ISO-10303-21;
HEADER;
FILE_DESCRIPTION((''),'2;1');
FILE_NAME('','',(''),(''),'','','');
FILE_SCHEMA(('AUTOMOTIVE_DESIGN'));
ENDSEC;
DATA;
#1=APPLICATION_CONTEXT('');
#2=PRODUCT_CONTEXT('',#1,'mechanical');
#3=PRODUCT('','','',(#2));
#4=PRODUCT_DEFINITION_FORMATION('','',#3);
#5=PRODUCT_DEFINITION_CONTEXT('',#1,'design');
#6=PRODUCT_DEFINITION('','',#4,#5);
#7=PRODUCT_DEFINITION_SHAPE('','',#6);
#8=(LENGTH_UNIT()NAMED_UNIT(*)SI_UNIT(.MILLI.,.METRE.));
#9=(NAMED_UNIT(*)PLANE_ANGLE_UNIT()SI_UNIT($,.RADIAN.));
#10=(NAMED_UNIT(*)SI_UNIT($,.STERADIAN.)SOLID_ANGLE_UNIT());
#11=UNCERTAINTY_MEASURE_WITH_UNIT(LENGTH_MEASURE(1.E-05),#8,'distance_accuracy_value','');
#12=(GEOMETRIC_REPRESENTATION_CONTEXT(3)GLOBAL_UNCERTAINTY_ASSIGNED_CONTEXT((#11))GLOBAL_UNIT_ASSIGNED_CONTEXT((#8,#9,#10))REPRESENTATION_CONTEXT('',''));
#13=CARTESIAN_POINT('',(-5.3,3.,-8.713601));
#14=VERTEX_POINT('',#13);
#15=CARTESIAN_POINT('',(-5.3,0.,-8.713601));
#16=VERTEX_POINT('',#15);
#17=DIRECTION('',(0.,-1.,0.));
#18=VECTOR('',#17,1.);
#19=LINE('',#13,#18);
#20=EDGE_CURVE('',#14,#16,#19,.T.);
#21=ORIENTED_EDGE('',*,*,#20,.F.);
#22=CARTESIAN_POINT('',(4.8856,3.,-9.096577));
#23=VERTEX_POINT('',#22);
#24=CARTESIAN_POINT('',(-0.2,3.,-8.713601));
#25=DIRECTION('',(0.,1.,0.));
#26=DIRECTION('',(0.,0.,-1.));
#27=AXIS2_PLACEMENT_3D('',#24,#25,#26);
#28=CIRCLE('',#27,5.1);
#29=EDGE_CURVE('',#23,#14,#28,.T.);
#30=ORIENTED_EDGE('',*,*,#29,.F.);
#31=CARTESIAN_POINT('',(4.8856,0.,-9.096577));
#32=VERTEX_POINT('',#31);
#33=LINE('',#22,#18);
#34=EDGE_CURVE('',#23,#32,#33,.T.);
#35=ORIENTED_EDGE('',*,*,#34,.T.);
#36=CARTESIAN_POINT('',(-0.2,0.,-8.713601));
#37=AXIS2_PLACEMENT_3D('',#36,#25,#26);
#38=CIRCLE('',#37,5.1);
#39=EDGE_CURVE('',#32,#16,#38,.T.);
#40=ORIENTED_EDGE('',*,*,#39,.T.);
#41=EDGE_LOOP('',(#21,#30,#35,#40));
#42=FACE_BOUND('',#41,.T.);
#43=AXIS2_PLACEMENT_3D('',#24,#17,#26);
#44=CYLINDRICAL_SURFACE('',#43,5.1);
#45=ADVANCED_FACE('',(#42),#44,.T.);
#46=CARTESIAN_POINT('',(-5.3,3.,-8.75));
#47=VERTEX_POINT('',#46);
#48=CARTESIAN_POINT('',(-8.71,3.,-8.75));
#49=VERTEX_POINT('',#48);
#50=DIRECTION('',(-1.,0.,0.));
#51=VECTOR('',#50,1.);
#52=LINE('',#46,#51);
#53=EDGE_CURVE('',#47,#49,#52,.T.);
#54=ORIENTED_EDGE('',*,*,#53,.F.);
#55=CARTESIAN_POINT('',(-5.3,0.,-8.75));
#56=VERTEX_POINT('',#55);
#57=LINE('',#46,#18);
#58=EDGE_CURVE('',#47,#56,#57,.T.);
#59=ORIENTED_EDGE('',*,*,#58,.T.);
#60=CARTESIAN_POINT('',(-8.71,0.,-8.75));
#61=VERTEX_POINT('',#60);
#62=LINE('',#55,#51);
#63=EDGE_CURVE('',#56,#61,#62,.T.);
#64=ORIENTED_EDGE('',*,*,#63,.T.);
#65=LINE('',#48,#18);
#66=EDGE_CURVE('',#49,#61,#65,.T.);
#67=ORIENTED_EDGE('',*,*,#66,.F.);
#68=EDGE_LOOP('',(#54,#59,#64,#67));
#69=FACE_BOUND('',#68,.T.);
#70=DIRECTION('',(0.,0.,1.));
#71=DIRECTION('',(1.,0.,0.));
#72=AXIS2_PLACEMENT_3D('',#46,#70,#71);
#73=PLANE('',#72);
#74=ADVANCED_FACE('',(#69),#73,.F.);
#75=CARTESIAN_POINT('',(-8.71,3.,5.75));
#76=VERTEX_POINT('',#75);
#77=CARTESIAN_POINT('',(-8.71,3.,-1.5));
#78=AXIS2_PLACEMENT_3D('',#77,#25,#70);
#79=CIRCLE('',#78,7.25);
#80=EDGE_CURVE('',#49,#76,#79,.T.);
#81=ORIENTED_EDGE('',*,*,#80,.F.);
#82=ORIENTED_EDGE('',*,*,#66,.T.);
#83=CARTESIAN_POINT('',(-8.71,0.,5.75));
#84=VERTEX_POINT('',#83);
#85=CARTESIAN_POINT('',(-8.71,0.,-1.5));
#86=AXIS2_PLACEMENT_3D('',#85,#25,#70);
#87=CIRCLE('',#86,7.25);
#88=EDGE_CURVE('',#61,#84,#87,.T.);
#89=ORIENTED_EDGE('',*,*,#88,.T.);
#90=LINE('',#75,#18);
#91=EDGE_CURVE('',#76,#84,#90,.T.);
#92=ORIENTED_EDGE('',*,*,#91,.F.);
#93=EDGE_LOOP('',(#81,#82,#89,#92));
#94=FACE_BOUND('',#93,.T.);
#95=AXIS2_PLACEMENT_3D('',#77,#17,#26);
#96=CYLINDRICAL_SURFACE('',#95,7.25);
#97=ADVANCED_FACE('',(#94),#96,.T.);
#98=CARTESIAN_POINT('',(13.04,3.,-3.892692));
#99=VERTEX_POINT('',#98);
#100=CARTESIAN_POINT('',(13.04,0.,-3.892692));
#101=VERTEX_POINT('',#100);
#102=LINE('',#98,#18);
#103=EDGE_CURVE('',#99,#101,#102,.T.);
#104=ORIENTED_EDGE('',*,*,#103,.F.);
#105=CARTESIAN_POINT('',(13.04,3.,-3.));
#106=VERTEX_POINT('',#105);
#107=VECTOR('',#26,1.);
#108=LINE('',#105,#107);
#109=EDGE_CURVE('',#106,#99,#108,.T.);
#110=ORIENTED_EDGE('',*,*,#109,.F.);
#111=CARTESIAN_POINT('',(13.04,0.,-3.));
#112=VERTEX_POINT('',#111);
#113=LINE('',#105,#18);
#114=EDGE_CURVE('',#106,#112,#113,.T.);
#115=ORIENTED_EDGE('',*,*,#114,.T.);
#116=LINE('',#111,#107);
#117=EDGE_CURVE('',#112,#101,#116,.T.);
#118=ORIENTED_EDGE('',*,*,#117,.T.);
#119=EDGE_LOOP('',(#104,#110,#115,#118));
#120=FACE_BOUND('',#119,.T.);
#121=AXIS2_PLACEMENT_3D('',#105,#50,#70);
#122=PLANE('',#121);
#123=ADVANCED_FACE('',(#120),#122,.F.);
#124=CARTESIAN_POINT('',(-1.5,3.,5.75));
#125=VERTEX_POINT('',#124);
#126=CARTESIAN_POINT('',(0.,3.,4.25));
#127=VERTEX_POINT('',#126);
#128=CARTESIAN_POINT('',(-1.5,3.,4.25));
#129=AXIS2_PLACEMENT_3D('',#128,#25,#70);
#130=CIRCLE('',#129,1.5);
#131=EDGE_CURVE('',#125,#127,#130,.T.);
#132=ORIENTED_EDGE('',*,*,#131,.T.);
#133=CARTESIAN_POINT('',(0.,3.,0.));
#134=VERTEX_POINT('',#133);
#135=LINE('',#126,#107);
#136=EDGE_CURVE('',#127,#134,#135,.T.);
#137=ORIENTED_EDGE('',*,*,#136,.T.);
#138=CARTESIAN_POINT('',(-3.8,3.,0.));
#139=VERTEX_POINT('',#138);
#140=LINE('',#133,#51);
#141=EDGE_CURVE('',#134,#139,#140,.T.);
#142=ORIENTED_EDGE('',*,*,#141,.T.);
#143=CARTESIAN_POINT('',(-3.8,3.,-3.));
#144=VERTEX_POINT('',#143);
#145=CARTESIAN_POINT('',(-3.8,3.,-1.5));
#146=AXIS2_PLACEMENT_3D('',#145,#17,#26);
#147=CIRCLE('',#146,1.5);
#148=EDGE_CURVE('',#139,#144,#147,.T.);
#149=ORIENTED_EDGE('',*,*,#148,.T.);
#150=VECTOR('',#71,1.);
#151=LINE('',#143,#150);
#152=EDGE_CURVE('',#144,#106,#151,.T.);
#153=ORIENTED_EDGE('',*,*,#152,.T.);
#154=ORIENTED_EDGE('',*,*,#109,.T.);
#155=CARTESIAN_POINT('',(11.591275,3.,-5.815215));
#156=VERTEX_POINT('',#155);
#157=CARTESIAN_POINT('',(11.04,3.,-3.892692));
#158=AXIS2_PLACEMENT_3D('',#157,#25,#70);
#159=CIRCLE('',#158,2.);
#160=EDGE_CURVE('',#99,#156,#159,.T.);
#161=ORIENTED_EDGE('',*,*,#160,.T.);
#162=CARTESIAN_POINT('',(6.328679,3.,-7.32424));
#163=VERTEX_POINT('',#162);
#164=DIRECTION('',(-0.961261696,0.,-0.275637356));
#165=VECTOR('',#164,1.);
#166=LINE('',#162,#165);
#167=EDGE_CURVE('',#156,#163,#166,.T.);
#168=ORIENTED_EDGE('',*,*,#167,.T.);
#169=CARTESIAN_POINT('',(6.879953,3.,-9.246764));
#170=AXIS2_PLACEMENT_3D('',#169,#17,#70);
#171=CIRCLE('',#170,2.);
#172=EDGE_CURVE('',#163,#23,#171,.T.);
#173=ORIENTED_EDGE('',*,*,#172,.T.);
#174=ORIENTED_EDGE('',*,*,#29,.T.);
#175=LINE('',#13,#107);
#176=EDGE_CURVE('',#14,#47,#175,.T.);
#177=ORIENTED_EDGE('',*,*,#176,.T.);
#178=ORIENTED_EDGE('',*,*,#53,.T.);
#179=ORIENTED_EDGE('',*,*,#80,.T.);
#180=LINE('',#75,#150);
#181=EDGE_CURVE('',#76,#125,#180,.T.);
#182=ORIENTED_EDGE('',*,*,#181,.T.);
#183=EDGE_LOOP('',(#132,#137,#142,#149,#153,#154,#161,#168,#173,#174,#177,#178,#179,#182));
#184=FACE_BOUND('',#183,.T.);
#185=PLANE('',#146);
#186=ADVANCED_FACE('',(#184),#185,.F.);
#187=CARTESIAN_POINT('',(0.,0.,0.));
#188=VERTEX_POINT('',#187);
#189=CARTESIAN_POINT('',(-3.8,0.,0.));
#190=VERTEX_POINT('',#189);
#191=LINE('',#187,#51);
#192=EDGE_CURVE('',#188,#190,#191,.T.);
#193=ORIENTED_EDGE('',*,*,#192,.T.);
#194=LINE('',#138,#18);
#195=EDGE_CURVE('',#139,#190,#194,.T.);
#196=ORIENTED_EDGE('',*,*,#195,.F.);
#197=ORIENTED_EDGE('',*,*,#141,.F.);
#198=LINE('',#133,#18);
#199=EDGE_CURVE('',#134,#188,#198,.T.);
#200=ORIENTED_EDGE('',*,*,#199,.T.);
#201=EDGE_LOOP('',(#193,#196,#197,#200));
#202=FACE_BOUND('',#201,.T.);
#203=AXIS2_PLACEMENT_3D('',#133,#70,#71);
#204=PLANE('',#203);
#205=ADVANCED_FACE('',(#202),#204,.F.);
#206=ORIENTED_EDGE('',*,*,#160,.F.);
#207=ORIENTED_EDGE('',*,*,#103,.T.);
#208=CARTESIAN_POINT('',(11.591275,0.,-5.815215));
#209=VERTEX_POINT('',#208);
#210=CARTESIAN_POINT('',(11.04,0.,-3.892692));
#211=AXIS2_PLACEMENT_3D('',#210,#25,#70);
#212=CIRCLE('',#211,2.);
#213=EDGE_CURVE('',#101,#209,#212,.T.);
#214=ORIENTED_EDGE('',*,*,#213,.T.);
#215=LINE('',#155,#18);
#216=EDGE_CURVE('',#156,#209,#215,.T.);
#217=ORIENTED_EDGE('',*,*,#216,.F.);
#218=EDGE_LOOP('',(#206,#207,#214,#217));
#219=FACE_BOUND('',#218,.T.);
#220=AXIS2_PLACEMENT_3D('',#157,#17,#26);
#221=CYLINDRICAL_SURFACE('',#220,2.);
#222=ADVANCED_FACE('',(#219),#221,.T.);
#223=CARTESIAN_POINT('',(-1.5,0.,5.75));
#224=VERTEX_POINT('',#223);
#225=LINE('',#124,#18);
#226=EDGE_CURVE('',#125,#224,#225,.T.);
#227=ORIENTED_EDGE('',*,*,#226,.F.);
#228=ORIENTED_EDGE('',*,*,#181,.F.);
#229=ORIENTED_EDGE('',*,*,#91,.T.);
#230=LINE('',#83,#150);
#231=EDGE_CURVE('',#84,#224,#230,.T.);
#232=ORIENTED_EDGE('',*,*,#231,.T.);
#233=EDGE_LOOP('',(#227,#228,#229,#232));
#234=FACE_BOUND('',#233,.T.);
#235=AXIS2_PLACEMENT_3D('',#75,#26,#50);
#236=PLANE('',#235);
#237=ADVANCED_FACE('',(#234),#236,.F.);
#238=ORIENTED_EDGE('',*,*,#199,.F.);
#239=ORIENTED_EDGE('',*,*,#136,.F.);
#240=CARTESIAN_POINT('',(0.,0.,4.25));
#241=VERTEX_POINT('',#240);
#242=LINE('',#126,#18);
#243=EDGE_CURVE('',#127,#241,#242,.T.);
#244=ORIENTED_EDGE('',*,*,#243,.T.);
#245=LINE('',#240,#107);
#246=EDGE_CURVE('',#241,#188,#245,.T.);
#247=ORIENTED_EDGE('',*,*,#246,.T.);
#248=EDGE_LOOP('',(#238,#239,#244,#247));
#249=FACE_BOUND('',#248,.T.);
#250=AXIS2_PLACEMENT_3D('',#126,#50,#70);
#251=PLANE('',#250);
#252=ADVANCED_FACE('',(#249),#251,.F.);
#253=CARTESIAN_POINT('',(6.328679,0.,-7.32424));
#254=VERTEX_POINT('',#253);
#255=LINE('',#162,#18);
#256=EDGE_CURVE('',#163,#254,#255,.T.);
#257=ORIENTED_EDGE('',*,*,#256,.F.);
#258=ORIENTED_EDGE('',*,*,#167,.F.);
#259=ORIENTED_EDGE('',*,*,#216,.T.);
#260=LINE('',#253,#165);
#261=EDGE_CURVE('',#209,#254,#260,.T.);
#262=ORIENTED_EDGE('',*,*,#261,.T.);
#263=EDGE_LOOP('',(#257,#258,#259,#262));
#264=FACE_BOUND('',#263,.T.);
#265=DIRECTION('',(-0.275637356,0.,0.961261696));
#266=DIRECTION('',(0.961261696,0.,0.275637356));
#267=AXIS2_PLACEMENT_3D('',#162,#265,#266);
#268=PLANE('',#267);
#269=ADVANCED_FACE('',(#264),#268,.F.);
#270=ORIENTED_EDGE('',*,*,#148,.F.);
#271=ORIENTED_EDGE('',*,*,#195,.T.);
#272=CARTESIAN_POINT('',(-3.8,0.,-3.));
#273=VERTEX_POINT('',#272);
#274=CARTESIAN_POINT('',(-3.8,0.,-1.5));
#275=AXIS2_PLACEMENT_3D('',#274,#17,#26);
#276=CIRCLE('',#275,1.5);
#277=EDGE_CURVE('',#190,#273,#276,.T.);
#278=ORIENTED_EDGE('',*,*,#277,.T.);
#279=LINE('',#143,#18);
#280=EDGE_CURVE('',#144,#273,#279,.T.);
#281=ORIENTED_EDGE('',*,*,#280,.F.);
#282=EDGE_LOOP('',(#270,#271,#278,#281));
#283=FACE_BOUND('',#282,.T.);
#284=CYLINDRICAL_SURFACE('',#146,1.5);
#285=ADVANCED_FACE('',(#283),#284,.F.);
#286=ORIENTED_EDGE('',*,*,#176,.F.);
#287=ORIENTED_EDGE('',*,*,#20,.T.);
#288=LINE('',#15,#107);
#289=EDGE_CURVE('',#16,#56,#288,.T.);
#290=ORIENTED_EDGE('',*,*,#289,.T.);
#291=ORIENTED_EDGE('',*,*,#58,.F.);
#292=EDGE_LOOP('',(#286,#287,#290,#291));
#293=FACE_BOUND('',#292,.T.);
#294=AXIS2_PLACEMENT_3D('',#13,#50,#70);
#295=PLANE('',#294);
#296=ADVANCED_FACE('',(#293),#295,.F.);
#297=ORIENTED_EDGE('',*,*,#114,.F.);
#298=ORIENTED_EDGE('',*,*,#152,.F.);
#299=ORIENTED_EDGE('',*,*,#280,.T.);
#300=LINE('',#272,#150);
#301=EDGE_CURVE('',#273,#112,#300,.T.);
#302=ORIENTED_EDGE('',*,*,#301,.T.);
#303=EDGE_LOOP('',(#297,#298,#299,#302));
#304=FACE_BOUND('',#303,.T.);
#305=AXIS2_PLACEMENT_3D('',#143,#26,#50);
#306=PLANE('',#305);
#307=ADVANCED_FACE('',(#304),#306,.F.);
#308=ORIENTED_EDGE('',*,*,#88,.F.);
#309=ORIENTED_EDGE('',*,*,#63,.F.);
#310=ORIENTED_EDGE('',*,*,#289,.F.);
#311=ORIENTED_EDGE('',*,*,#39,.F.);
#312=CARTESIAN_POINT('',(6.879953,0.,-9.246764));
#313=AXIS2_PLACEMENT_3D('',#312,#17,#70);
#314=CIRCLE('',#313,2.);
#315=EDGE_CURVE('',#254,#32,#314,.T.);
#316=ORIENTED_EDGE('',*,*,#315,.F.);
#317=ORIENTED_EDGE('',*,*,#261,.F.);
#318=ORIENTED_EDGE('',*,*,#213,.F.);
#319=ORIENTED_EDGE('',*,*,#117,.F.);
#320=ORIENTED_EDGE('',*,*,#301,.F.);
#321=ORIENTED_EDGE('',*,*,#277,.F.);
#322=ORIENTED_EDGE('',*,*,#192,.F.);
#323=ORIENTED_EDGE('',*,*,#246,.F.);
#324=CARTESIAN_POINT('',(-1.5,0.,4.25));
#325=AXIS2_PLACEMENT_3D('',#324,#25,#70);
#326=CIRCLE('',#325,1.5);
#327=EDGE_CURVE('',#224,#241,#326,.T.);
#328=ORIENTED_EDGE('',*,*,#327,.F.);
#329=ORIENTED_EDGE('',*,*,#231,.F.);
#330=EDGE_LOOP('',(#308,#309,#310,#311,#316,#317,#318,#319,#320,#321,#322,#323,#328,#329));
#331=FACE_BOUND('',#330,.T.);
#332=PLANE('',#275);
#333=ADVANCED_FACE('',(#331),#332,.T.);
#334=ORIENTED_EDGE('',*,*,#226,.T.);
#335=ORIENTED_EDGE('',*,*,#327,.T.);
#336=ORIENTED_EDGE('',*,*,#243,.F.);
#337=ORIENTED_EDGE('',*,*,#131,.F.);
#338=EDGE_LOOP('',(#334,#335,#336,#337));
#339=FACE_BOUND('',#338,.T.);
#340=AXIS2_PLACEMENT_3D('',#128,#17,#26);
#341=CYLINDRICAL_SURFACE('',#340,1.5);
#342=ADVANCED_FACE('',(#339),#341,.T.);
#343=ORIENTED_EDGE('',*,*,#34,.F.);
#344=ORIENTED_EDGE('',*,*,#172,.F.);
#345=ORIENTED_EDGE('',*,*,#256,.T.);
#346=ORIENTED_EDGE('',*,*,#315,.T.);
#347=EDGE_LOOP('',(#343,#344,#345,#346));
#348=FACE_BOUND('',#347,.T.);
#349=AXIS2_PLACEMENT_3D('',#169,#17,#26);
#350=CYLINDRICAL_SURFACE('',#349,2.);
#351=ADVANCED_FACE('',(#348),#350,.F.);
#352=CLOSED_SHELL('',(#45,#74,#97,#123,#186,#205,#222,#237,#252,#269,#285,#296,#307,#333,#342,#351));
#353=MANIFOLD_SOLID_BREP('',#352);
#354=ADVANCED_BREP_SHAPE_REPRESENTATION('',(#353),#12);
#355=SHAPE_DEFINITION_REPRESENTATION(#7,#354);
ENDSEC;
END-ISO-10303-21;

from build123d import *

# Parameters (mm, degrees)
BOSS_EXTRUDE2_DEPTH = 3


with BuildPart() as part:
    # Sketch1 → Boss-Extrude2 (new body)
    with BuildSketch(Plane(origin=(0, 0, 0), x_dir=(1, 0, 0), z_dir=(0, 1, 0))):
        with BuildLine():
            Line((0, 0), (-3.8, 0))
            ThreePointArc((-3.8, 0), (-5.3, 1.5), (-3.8, 3))
            Line((-3.8, 3), (13.04, 3))
            Line((13.04, 3), (13.04, 3.892691809))
            ThreePointArc((13.04, 3.892691809), (12.63727102, 5.096321856), (11.591274712, 5.815215201))
            Line((11.591274712, 5.815215201), (6.328678515, 7.324240378))
            ThreePointArc((6.328678515, 7.324240378), (5.329034294, 7.983969065), (4.885600205, 9.096577136))
            ThreePointArc((4.885600205, 9.096577136), (-0.391623267, 13.81), (-5.3, 8.71360122))
            Line((-5.3, 8.71360122), (-5.3, 8.75))
            Line((-5.3, 8.75), (-8.71, 8.75))
            ThreePointArc((-8.71, 8.75), (-15.96, 1.5), (-8.71, -5.75))
            Line((-8.71, -5.75), (-1.5, -5.75))
            ThreePointArc((-1.5, -5.75), (-0.439339828, -5.310660172), (0, -4.25))
            Line((0, -4.25), (0, 0))
        make_face()
    extrude(amount=BOSS_EXTRUDE2_DEPTH)


solid = part.part
